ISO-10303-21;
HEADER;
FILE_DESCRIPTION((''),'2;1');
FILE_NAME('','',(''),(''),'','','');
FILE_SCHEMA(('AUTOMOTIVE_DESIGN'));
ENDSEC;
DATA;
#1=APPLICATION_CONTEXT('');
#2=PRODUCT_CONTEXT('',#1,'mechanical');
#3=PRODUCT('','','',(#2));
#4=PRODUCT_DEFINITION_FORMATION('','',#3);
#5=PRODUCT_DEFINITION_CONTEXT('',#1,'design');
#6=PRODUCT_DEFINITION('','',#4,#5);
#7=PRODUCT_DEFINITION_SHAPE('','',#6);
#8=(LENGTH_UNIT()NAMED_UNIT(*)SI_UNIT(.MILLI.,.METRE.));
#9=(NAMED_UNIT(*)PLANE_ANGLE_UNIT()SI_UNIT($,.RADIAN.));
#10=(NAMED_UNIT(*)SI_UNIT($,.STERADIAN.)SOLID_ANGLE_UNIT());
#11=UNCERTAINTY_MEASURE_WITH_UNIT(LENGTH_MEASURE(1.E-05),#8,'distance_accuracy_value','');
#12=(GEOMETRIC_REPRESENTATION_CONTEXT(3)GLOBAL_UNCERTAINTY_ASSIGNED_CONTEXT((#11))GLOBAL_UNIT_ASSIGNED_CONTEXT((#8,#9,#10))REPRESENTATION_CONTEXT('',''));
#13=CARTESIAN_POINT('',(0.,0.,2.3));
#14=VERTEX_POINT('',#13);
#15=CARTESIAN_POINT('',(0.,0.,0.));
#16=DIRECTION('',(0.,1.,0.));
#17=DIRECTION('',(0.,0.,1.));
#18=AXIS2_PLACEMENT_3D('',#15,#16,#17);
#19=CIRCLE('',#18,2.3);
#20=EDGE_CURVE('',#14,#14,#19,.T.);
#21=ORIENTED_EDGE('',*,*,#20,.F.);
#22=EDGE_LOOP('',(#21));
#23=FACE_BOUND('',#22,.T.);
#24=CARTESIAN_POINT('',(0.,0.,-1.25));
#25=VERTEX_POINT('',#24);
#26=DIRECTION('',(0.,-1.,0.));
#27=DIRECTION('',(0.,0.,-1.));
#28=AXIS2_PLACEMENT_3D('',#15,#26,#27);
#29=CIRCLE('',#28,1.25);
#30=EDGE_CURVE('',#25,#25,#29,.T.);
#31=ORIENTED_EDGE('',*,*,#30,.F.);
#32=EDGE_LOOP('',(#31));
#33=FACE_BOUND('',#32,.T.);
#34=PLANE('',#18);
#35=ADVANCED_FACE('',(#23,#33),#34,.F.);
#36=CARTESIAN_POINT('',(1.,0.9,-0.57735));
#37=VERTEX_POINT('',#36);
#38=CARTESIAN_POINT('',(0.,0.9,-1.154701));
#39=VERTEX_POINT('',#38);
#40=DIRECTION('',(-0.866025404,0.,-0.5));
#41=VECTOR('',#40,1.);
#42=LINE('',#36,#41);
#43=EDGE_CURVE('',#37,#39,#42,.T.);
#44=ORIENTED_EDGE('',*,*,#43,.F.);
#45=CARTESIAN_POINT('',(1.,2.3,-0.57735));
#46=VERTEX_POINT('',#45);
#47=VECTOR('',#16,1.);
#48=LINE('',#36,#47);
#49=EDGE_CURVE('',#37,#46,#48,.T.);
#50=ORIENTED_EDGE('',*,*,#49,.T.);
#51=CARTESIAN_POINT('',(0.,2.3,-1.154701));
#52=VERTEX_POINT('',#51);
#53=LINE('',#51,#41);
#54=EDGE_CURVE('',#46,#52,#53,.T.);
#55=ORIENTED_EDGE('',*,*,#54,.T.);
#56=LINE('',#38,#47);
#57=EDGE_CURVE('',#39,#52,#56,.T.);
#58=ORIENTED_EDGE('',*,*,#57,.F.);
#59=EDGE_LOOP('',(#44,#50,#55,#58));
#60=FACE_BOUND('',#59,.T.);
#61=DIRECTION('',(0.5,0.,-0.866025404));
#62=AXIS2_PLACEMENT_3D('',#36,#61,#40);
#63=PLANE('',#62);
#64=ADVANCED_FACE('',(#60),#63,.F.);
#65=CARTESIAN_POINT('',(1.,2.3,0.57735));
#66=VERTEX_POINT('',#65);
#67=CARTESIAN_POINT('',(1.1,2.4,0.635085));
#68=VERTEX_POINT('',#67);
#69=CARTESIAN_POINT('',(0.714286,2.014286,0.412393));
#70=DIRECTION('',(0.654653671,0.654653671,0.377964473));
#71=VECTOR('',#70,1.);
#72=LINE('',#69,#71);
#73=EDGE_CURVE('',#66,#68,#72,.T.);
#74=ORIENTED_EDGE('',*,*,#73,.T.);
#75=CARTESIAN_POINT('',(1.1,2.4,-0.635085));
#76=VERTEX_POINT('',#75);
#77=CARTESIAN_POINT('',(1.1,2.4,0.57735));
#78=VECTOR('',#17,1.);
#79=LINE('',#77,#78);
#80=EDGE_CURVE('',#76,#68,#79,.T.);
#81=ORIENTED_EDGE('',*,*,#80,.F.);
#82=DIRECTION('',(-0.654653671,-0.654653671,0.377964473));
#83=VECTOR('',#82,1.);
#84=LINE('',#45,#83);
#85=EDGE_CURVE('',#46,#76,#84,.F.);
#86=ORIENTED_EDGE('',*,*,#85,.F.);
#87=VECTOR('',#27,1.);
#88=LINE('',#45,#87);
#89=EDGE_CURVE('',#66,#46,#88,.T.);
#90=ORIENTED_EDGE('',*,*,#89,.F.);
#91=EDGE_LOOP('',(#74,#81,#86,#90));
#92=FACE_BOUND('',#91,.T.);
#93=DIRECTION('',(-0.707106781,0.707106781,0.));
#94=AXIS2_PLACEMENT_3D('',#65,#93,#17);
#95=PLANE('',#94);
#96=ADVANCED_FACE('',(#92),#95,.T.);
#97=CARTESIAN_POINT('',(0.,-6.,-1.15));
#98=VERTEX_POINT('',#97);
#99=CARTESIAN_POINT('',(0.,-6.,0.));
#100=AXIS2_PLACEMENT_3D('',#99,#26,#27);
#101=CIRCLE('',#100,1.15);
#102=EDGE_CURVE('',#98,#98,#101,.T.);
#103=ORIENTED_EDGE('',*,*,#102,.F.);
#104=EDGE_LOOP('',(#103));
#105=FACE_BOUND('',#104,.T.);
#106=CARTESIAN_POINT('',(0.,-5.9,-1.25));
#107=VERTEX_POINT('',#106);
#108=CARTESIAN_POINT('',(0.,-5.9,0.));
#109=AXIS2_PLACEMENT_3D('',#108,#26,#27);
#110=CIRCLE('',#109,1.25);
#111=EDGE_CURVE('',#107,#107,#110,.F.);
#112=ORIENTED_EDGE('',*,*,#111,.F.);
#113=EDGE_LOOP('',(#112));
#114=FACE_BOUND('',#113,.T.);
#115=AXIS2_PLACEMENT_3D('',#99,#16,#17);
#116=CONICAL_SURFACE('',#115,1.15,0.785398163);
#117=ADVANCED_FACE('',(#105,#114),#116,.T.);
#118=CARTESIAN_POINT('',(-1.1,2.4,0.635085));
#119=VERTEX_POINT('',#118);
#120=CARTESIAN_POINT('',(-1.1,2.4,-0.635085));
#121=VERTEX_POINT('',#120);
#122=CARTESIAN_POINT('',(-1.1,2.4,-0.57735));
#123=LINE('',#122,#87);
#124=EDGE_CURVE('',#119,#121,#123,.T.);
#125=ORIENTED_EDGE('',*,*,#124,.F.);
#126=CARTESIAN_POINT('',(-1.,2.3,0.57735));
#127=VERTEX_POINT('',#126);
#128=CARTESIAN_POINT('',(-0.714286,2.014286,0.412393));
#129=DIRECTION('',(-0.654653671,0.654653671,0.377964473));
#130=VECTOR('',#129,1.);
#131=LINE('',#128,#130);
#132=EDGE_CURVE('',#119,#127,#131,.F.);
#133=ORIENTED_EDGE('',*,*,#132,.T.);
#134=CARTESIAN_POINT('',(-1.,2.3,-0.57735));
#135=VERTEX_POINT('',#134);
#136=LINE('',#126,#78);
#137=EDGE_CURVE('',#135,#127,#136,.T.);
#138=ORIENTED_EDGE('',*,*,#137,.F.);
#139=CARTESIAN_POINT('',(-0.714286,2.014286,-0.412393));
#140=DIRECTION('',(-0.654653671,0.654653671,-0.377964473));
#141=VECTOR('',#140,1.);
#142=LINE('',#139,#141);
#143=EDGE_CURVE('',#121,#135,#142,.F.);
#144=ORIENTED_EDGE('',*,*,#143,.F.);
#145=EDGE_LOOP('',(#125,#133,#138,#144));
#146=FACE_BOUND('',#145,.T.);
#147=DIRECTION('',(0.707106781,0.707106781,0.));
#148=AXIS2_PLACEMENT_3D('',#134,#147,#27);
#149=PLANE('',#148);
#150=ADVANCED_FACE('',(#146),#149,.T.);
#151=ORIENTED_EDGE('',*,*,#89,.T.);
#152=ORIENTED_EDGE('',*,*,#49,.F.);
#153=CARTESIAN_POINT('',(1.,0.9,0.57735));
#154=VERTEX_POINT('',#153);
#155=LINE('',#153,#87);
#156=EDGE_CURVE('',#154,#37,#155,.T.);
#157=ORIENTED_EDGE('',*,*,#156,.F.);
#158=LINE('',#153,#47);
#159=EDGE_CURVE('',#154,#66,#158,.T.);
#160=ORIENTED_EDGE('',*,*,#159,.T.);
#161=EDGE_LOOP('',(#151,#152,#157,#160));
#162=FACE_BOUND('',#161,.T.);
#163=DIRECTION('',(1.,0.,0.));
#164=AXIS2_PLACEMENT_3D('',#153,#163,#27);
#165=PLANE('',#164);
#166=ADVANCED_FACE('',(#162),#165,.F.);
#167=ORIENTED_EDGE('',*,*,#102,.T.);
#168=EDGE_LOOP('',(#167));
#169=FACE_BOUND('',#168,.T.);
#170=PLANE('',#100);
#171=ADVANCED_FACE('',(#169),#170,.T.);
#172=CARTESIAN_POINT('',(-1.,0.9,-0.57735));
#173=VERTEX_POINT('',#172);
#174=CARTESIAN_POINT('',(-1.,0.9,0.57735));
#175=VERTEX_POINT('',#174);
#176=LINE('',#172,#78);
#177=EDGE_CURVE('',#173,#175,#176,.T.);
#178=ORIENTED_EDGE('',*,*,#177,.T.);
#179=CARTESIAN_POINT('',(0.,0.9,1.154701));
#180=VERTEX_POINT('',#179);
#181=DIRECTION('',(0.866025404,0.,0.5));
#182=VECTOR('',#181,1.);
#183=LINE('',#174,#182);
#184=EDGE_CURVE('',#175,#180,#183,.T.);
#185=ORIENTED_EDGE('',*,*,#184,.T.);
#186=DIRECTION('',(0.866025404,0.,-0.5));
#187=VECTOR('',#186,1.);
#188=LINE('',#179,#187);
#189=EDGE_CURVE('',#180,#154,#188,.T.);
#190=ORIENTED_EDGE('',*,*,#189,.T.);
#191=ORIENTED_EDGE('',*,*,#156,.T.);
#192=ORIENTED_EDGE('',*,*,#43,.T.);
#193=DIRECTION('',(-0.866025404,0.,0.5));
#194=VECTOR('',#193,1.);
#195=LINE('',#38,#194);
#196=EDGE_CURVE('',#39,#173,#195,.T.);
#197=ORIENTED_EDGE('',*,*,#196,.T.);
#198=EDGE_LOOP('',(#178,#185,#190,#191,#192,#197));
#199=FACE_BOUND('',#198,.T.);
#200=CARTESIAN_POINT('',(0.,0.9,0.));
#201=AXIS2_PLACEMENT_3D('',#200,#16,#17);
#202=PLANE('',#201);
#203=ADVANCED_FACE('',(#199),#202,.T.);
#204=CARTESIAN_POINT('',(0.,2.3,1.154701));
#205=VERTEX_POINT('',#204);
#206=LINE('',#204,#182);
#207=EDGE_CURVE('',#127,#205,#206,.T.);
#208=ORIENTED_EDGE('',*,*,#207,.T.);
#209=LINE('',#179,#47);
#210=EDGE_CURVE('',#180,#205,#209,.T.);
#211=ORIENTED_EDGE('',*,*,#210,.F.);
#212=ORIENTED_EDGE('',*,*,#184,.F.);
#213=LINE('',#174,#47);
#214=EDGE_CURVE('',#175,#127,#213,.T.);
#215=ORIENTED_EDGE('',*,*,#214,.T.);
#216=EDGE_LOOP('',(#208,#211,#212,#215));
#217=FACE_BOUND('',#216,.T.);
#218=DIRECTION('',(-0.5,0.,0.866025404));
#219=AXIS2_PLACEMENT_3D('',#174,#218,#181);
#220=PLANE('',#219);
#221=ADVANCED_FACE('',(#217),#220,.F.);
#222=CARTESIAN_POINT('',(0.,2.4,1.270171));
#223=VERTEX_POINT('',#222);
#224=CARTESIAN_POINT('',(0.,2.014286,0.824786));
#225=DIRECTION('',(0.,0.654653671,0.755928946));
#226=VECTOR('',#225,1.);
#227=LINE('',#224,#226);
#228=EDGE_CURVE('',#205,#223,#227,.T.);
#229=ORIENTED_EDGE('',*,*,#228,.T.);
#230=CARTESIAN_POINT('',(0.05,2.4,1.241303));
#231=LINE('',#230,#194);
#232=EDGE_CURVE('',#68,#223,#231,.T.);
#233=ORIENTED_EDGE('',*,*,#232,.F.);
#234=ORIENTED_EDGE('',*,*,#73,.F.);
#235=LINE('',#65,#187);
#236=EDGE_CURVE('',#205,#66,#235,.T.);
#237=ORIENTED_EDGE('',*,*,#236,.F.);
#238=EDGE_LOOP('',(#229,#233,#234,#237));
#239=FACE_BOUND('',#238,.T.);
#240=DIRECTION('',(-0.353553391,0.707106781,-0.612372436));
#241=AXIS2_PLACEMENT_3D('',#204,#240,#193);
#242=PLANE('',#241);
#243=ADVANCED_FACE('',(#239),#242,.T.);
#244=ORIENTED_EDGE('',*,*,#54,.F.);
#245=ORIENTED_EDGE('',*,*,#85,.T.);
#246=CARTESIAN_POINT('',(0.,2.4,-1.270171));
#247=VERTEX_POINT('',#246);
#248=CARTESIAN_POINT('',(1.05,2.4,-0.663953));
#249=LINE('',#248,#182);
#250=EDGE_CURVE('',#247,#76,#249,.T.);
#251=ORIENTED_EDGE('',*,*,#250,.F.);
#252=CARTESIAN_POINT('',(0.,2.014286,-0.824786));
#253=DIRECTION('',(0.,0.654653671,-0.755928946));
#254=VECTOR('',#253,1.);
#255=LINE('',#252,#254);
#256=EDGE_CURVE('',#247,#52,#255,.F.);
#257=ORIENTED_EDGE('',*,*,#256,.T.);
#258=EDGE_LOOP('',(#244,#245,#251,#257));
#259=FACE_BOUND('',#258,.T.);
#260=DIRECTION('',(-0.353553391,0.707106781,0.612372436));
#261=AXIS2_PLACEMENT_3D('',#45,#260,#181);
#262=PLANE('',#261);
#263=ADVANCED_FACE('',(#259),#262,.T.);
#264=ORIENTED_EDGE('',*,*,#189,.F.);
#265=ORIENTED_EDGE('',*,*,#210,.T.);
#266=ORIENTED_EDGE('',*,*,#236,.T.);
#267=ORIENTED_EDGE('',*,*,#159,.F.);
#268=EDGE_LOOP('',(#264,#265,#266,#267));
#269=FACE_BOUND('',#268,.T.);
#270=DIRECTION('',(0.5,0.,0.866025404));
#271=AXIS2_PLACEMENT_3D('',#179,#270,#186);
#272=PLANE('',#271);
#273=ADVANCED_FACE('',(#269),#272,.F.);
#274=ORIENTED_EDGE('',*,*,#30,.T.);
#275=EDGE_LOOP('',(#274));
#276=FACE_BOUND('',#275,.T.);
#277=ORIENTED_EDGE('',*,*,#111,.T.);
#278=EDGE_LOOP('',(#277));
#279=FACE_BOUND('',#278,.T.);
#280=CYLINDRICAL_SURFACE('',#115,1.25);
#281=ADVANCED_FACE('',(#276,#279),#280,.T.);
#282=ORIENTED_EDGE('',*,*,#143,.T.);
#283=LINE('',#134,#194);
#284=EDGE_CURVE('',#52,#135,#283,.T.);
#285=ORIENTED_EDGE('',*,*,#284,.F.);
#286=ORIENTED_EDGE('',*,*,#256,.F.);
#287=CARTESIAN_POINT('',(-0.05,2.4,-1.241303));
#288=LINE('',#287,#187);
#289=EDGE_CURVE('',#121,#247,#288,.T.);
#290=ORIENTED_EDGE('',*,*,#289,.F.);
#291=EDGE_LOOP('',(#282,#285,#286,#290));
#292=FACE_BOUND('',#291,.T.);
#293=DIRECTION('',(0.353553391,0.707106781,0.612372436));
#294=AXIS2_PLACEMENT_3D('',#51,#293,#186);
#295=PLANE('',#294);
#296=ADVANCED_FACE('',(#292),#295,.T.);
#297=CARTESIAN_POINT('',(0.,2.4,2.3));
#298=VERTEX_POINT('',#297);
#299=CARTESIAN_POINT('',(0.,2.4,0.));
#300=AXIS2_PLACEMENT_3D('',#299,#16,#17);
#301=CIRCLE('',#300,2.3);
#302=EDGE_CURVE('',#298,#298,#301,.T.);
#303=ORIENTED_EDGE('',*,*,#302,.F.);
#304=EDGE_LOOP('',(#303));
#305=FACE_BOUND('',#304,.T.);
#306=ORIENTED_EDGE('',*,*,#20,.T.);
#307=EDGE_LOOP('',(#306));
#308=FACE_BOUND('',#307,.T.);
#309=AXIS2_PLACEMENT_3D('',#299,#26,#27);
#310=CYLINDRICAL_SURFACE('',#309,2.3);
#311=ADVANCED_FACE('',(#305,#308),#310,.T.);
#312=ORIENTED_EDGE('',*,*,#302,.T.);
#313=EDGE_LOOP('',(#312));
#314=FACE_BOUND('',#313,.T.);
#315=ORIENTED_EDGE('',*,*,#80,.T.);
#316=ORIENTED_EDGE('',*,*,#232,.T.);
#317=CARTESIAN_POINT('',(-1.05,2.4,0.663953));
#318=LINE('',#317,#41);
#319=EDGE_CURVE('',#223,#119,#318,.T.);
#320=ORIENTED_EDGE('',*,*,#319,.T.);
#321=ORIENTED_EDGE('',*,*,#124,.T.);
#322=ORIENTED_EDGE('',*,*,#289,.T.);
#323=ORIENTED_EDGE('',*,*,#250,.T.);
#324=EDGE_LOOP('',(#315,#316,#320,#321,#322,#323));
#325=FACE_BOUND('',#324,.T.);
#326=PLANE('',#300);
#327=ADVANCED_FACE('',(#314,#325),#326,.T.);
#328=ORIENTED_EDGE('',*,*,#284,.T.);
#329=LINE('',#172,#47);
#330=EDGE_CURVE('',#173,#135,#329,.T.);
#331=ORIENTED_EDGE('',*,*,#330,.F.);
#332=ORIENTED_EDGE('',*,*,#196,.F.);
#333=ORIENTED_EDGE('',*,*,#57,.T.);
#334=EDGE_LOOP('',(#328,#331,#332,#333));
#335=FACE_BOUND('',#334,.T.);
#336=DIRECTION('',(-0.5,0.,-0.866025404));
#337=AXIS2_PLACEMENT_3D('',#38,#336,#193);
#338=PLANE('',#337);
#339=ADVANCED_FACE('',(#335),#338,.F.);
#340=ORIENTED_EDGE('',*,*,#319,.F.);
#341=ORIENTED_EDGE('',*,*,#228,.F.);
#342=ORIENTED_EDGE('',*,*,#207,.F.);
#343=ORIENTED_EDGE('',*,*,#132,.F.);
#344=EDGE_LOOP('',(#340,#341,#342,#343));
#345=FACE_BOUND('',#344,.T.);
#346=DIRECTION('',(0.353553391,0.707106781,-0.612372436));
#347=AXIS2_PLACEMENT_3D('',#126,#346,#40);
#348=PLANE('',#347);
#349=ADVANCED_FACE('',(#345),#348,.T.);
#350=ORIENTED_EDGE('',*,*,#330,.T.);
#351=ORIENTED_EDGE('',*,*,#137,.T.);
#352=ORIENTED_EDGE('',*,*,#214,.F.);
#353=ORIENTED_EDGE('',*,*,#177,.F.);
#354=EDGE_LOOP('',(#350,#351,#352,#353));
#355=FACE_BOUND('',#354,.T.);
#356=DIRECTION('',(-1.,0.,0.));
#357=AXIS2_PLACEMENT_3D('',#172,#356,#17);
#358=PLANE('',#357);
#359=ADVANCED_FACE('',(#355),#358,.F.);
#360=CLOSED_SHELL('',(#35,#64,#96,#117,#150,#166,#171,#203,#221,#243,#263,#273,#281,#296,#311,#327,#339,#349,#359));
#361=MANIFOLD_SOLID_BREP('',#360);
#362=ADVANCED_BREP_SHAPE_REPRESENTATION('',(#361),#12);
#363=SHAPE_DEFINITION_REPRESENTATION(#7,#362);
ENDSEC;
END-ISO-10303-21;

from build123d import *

# Parameters (mm, degrees)
SKETCH_1_R          = 2.3
EXTRUDE_1_DEPTH     = 2.4
CUT_EXTRUDE_1_DEPTH = 1.5
SKETCH_3_R          = 1.25
EXTRUDE_2_DEPTH     = 6
CHAMFER_1_SIZE      = 0.1


with BuildPart() as part:
    # 草图1 → 凸台-拉伸1 (new body)
    with BuildSketch(Plane(origin=(0, 0, 0), x_dir=(1, 0, 0), z_dir=(0, 1, 0))):
        Circle(SKETCH_1_R)
    extrude(amount=EXTRUDE_1_DEPTH)

    # 草图2 → 切除-拉伸1 (cut)
    with BuildSketch(Plane(origin=(0, 2.4, 0), x_dir=(1, 0, 0), z_dir=(0, 1, 0))):
        Polygon((0, -1.154700538), (1, -0.577350269), (1, 0.577350269), (0, 1.154700538), (-1, 0.577350269), (-1, -0.577350269), align=None)
    extrude(amount=-CUT_EXTRUDE_1_DEPTH, mode=Mode.SUBTRACT)

    # 草图3 → 凸台-拉伸2 (add)
    with BuildSketch(Plane.XZ):
        Circle(SKETCH_3_R)
    extrude(amount=EXTRUDE_2_DEPTH)

    # 倒角1
    chamfer_1_edges = [part.edges().sort_by_distance(p)[0] for p in [
        (-0.5, 2.4, 0.866025404),
        (0.5, 2.4, 0.866025404),
        (1, 2.4, 0),
        (0.5, 2.4, -0.866025404),
        (-0.5, 2.4, -0.866025404),
        (-1, 2.4, 0),
        (-1.25, -6, 0),
    ]]
    chamfer(chamfer_1_edges, length=CHAMFER_1_SIZE)


solid = part.part
